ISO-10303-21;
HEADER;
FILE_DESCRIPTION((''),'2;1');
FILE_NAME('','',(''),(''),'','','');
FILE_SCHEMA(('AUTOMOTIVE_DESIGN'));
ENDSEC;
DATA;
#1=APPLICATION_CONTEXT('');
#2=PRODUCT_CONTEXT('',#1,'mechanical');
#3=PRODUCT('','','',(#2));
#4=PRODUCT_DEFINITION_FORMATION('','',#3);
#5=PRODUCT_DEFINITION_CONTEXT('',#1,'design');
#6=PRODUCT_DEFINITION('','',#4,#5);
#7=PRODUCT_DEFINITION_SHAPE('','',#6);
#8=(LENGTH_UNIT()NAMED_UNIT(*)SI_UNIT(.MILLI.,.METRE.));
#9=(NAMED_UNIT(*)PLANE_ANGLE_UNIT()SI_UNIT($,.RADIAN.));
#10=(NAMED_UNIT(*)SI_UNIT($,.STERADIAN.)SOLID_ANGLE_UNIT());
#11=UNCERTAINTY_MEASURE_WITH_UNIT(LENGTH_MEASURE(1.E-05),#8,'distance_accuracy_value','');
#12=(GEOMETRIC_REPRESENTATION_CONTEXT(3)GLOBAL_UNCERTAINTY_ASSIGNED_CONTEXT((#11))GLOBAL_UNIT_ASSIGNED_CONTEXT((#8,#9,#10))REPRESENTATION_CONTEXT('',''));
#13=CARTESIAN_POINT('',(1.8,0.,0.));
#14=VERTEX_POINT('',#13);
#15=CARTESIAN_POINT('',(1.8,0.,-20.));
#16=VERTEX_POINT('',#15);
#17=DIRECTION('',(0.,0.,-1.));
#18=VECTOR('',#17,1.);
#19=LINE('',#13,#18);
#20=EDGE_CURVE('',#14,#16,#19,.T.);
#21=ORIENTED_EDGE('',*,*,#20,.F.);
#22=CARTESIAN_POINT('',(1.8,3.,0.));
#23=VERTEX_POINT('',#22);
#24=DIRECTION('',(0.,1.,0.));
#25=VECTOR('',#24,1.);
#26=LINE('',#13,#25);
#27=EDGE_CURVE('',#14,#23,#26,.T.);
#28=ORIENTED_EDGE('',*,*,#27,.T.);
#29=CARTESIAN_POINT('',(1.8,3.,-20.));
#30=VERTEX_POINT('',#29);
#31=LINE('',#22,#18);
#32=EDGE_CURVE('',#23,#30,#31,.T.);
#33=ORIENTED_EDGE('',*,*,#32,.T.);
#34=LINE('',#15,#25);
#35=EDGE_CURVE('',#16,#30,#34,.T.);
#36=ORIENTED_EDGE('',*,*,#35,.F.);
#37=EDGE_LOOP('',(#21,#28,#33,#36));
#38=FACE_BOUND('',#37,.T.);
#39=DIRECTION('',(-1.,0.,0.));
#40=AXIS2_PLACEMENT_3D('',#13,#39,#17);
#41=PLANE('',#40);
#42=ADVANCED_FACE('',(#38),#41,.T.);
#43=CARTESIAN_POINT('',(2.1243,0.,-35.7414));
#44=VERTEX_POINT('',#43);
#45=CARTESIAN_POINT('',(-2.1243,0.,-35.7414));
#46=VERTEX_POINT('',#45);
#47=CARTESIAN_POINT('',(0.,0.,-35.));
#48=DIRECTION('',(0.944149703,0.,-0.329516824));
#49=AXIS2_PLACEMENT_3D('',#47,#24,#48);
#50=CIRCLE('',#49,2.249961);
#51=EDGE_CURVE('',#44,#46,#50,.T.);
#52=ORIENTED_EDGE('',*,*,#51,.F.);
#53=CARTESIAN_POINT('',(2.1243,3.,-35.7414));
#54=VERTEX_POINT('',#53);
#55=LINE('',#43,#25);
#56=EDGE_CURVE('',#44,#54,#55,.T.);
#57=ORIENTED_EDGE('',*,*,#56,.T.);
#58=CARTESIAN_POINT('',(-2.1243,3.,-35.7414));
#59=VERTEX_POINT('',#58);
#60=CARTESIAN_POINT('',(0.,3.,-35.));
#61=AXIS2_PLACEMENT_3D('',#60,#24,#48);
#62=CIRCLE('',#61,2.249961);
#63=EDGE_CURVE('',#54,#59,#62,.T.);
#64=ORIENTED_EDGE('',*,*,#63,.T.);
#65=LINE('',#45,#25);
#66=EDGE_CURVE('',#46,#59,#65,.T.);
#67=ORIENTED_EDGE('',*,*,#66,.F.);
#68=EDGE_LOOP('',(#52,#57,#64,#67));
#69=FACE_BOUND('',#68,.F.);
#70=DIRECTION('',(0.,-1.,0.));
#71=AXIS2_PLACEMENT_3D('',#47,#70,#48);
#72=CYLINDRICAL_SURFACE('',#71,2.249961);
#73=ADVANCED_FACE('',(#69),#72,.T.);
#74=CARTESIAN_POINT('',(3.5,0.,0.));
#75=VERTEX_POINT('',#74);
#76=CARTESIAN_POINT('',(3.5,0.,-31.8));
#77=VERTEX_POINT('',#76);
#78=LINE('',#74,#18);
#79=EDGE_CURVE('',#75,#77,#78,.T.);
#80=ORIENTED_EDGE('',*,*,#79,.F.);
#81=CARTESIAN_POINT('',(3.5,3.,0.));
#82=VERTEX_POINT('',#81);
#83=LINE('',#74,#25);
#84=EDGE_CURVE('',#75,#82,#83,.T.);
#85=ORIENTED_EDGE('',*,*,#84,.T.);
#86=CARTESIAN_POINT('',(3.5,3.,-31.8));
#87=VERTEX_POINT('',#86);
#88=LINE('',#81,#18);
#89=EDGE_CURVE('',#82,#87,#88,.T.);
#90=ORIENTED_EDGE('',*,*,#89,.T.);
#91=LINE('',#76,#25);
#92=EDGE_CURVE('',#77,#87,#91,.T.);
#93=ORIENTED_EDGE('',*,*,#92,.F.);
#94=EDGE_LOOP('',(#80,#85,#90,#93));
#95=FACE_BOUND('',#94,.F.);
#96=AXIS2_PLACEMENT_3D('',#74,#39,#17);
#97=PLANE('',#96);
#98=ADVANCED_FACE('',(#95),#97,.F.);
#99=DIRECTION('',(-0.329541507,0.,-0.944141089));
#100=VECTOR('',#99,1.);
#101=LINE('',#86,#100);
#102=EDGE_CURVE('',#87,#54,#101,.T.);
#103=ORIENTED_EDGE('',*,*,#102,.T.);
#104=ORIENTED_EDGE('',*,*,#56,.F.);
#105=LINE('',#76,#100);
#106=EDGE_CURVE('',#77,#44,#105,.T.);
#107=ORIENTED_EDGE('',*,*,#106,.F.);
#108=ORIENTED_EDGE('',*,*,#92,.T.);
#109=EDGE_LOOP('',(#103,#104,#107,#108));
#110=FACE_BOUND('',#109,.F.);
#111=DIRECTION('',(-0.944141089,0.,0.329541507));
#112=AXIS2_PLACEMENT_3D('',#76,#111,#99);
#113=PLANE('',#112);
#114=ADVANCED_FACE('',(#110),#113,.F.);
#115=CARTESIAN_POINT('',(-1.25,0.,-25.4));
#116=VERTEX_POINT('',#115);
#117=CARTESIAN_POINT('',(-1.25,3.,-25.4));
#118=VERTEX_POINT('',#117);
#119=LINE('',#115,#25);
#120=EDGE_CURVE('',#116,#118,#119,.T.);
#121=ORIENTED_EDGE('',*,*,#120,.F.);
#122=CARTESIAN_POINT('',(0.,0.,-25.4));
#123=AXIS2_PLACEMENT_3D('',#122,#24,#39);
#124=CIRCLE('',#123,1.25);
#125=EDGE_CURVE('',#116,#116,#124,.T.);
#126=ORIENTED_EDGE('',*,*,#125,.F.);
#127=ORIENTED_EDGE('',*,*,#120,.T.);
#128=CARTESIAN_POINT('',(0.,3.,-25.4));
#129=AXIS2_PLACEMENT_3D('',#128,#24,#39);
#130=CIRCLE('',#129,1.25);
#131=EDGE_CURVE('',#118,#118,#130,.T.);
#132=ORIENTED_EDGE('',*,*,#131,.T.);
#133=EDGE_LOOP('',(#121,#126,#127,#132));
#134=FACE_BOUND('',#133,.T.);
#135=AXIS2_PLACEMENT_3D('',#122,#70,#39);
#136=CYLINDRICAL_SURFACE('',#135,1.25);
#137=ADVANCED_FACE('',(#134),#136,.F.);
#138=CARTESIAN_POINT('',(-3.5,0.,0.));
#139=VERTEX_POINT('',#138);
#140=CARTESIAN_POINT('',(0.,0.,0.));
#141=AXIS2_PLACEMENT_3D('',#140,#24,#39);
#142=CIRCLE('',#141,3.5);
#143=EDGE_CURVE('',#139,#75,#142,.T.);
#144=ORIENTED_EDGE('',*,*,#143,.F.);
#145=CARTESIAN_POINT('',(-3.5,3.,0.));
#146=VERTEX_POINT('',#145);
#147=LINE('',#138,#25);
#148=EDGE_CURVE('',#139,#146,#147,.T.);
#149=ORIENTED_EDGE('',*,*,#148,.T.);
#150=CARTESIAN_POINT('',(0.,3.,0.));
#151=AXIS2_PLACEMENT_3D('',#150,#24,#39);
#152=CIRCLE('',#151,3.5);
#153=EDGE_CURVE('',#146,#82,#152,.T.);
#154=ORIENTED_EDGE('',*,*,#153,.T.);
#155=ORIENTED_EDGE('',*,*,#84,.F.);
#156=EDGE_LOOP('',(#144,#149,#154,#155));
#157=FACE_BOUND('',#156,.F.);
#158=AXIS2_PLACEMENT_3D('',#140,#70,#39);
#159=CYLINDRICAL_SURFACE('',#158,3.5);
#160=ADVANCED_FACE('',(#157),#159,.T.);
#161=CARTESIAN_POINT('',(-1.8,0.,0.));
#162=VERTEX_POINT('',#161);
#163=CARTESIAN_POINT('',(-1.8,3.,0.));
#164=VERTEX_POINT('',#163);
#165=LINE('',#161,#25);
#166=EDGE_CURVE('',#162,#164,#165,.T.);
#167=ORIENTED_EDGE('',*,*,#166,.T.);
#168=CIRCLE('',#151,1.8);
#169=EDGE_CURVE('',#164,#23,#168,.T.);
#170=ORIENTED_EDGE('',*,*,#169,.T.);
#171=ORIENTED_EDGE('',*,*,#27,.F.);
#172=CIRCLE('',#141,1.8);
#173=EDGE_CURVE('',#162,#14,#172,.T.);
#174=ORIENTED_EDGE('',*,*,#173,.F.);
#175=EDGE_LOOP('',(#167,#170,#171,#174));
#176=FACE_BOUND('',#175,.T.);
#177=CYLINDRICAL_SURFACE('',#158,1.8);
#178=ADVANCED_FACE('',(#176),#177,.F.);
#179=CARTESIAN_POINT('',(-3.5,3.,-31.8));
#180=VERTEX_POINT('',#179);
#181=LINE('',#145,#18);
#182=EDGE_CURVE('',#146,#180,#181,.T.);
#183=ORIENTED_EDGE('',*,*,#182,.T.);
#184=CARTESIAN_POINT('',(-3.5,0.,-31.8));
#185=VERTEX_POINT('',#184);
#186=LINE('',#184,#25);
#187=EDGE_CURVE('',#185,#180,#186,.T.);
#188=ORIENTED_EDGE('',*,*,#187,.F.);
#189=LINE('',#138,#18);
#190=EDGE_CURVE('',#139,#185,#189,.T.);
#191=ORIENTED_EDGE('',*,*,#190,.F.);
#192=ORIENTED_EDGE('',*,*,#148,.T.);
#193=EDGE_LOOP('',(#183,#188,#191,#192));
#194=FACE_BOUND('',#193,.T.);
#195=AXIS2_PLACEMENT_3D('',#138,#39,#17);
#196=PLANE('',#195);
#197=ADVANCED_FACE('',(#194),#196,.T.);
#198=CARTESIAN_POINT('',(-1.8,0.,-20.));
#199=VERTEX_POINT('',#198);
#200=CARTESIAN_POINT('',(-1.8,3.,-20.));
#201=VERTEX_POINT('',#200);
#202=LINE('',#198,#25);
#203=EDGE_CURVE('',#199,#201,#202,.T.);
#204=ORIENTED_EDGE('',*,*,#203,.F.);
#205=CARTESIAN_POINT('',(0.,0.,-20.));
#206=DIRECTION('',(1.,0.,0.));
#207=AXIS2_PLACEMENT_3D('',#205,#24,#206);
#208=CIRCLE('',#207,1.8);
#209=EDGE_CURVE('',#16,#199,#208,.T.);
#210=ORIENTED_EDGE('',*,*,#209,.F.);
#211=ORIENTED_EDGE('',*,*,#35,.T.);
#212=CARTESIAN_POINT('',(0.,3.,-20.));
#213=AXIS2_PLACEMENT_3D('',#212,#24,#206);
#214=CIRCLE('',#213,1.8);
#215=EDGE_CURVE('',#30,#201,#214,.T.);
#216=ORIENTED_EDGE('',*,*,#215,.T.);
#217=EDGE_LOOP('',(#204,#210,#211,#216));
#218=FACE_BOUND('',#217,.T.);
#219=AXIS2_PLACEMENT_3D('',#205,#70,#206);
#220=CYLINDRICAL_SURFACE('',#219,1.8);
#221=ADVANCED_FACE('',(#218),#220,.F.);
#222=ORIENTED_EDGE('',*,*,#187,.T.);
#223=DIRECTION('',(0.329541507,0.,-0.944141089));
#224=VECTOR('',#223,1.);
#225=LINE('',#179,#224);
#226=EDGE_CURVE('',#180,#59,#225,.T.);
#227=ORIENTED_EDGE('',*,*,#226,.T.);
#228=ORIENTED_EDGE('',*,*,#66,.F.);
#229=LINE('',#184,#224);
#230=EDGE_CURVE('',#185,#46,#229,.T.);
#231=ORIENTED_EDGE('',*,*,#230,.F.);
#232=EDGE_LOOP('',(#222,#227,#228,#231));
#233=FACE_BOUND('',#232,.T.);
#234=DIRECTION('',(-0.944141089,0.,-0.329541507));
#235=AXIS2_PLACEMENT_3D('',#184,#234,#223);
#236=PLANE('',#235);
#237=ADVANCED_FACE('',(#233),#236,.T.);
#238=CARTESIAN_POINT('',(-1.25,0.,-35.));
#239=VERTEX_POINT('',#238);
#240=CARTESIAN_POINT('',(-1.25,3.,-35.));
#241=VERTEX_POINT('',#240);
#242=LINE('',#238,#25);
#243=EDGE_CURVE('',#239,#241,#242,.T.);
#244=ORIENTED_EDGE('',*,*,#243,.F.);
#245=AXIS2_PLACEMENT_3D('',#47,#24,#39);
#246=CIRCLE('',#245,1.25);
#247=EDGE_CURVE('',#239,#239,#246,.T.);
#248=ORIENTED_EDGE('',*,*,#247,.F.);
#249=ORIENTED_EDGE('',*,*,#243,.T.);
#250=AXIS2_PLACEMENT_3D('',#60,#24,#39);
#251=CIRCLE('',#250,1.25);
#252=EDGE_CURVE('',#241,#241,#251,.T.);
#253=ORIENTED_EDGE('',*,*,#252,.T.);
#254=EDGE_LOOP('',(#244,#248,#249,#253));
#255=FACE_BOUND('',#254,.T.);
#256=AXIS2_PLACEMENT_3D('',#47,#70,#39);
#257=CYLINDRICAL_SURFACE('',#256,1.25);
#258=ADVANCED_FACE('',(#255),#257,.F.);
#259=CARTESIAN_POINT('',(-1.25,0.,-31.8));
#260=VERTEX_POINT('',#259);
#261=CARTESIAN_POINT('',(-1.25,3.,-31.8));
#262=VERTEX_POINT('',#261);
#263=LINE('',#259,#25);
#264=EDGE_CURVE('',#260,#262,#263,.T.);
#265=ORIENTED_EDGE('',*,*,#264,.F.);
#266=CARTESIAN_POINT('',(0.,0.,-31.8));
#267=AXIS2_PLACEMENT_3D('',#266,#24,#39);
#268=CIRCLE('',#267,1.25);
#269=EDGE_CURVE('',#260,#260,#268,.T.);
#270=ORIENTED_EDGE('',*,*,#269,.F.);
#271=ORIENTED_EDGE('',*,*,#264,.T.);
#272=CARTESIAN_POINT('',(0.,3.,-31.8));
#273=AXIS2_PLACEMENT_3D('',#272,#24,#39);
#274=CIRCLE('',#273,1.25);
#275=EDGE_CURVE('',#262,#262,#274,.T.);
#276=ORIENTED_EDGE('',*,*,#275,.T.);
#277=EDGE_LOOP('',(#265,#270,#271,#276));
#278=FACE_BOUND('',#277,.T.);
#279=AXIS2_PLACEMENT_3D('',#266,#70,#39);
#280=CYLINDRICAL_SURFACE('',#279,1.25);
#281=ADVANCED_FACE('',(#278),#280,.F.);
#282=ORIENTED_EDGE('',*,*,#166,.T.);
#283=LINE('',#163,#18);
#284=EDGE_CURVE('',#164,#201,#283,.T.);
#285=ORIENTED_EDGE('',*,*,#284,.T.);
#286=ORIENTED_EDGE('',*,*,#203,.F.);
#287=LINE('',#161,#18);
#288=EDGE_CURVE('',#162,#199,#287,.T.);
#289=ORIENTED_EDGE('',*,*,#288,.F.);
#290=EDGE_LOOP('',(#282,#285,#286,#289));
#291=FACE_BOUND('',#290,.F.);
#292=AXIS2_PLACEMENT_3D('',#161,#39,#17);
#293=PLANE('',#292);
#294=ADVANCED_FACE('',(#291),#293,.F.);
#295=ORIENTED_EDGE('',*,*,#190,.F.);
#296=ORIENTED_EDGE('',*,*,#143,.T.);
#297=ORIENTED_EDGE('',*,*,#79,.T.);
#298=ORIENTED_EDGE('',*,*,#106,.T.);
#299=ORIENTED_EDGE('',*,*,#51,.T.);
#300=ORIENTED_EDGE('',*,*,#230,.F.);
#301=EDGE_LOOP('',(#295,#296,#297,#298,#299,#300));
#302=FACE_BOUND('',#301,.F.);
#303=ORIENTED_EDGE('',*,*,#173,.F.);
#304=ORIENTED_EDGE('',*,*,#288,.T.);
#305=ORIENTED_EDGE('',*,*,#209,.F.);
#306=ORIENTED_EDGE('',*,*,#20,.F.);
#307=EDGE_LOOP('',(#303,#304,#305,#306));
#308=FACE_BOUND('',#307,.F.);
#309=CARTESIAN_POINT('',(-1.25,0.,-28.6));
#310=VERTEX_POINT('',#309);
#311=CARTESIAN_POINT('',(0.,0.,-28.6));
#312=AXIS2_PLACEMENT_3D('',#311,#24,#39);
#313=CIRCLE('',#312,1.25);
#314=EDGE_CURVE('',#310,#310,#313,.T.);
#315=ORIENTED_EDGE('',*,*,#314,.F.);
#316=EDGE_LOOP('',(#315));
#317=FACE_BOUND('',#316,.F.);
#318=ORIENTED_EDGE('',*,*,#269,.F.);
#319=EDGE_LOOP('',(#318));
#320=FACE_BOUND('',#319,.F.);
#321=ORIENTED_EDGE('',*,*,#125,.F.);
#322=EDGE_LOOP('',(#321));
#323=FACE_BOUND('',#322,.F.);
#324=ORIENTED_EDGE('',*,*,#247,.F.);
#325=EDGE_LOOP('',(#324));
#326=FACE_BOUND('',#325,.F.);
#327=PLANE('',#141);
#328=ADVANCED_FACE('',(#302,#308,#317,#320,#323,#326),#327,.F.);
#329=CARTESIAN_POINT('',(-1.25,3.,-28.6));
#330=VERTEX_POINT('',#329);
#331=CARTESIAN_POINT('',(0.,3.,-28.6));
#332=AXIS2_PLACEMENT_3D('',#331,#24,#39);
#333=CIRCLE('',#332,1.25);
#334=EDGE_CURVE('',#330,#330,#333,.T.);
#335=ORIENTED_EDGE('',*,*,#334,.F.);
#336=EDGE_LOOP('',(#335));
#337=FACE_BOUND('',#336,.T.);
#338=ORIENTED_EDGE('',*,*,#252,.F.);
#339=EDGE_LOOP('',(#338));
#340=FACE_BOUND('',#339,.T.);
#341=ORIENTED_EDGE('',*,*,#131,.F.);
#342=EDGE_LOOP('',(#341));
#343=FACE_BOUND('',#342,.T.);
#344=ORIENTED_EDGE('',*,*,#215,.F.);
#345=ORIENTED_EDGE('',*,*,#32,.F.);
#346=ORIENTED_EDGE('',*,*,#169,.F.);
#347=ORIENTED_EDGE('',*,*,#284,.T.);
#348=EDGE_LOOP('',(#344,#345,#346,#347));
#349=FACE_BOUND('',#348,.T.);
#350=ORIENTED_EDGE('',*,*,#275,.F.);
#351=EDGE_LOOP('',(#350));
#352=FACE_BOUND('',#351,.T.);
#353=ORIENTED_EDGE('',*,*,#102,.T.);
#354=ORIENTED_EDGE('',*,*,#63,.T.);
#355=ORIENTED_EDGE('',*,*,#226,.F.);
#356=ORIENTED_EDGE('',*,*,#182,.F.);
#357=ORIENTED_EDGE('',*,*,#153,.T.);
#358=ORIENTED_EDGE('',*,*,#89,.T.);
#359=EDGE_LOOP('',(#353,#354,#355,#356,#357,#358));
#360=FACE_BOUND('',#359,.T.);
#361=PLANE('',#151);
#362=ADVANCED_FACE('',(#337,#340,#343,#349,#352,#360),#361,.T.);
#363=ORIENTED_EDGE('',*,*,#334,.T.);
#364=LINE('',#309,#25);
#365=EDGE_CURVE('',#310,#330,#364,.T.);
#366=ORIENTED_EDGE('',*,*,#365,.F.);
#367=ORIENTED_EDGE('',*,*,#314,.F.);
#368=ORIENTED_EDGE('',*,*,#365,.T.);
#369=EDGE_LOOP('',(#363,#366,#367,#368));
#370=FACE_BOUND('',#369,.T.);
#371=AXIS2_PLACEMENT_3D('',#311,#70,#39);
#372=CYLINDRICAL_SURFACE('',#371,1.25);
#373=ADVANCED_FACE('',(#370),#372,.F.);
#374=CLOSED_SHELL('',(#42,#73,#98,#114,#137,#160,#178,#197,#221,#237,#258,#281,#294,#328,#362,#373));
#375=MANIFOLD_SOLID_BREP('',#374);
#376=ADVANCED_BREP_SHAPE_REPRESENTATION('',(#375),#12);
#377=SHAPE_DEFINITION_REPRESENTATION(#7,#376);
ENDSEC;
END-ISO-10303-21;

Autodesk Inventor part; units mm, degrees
ref_plane "YZ Plane" through (0, 0, 0) normal (1, 0, 0) x (0, 1, 0)
ref_plane "XZ Plane" through (0, 0, 0) normal (0, 1, 0) x (-1, 0, 0)
ref_plane "XY Plane" through (0, 0, 0) normal (0, 0, 1) x (1, 0, 0)
sketch "草圖1" plane through (0, 0, 0) normal (0, 1, 0) x (-1, 0, 0)
  arc A0 (1.8, 0) -> (-1.8, 0) centre (0, 0) ccw
  line L0 (0, 0) -> (0, -20) construction
  arc A1 (-1.8, -20) -> (1.8, -20) centre (0, -20) ccw
  arc A2 (3.5, 0) -> (-3.5, 0) centre (0, 0) ccw
  line L1 (1.8, 0) -> (1.8, -20)
  line L2 (-1.8, 0) -> (-1.8, -20)
  line L3 (0, -20) -> (0, -35) construction
  line L4 (3.5, 0) -> (3.5, -31.8)
  line L5 (-3.5, 0) -> (-3.5, -31.8)
  circle A3 centre (0, -35) radius 1.25
  line L6 (0, -35) -> (0, -25.4) construction
  line L7 (0, -35) -> (0, -31.8) construction
  line L8 (0, -31.8) -> (0, -28.6) construction
  line L9 (0, -28.6) -> (0, -25.4) construction
  circle A4 centre (0, -31.8) radius 1.25
  circle A5 centre (0, -28.6) radius 1.25
  circle A6 centre (0, -25.4) radius 1.25
  line L10 (3.5, -31.8) -> (2.1243, -35.7414)
  line L11 (-3.5, -31.8) -> (-2.1243, -35.7414)
  arc A7 (-2.1243, -35.7414) -> (2.1243, -35.7414) centre (0, -35) ccw
  dimension "d0" = 3.6
  dimension "d1" = 20
  dimension "d2" = 3.6
  dimension "d3" = 7
  dimension "d5" = 15
  dimension "d9" = 2.5
  dimension "d13" = 3.2
  dimension "d14" = 3.2
  dimension "d15" = 3.2
  dimension "d16" = 2.5
  dimension "d17" = 2.5
  dimension "d18" = 2.5
extrude "Extrusion3" add sketch "草圖1" along normal blind 3
properties part number "轉向軸"
